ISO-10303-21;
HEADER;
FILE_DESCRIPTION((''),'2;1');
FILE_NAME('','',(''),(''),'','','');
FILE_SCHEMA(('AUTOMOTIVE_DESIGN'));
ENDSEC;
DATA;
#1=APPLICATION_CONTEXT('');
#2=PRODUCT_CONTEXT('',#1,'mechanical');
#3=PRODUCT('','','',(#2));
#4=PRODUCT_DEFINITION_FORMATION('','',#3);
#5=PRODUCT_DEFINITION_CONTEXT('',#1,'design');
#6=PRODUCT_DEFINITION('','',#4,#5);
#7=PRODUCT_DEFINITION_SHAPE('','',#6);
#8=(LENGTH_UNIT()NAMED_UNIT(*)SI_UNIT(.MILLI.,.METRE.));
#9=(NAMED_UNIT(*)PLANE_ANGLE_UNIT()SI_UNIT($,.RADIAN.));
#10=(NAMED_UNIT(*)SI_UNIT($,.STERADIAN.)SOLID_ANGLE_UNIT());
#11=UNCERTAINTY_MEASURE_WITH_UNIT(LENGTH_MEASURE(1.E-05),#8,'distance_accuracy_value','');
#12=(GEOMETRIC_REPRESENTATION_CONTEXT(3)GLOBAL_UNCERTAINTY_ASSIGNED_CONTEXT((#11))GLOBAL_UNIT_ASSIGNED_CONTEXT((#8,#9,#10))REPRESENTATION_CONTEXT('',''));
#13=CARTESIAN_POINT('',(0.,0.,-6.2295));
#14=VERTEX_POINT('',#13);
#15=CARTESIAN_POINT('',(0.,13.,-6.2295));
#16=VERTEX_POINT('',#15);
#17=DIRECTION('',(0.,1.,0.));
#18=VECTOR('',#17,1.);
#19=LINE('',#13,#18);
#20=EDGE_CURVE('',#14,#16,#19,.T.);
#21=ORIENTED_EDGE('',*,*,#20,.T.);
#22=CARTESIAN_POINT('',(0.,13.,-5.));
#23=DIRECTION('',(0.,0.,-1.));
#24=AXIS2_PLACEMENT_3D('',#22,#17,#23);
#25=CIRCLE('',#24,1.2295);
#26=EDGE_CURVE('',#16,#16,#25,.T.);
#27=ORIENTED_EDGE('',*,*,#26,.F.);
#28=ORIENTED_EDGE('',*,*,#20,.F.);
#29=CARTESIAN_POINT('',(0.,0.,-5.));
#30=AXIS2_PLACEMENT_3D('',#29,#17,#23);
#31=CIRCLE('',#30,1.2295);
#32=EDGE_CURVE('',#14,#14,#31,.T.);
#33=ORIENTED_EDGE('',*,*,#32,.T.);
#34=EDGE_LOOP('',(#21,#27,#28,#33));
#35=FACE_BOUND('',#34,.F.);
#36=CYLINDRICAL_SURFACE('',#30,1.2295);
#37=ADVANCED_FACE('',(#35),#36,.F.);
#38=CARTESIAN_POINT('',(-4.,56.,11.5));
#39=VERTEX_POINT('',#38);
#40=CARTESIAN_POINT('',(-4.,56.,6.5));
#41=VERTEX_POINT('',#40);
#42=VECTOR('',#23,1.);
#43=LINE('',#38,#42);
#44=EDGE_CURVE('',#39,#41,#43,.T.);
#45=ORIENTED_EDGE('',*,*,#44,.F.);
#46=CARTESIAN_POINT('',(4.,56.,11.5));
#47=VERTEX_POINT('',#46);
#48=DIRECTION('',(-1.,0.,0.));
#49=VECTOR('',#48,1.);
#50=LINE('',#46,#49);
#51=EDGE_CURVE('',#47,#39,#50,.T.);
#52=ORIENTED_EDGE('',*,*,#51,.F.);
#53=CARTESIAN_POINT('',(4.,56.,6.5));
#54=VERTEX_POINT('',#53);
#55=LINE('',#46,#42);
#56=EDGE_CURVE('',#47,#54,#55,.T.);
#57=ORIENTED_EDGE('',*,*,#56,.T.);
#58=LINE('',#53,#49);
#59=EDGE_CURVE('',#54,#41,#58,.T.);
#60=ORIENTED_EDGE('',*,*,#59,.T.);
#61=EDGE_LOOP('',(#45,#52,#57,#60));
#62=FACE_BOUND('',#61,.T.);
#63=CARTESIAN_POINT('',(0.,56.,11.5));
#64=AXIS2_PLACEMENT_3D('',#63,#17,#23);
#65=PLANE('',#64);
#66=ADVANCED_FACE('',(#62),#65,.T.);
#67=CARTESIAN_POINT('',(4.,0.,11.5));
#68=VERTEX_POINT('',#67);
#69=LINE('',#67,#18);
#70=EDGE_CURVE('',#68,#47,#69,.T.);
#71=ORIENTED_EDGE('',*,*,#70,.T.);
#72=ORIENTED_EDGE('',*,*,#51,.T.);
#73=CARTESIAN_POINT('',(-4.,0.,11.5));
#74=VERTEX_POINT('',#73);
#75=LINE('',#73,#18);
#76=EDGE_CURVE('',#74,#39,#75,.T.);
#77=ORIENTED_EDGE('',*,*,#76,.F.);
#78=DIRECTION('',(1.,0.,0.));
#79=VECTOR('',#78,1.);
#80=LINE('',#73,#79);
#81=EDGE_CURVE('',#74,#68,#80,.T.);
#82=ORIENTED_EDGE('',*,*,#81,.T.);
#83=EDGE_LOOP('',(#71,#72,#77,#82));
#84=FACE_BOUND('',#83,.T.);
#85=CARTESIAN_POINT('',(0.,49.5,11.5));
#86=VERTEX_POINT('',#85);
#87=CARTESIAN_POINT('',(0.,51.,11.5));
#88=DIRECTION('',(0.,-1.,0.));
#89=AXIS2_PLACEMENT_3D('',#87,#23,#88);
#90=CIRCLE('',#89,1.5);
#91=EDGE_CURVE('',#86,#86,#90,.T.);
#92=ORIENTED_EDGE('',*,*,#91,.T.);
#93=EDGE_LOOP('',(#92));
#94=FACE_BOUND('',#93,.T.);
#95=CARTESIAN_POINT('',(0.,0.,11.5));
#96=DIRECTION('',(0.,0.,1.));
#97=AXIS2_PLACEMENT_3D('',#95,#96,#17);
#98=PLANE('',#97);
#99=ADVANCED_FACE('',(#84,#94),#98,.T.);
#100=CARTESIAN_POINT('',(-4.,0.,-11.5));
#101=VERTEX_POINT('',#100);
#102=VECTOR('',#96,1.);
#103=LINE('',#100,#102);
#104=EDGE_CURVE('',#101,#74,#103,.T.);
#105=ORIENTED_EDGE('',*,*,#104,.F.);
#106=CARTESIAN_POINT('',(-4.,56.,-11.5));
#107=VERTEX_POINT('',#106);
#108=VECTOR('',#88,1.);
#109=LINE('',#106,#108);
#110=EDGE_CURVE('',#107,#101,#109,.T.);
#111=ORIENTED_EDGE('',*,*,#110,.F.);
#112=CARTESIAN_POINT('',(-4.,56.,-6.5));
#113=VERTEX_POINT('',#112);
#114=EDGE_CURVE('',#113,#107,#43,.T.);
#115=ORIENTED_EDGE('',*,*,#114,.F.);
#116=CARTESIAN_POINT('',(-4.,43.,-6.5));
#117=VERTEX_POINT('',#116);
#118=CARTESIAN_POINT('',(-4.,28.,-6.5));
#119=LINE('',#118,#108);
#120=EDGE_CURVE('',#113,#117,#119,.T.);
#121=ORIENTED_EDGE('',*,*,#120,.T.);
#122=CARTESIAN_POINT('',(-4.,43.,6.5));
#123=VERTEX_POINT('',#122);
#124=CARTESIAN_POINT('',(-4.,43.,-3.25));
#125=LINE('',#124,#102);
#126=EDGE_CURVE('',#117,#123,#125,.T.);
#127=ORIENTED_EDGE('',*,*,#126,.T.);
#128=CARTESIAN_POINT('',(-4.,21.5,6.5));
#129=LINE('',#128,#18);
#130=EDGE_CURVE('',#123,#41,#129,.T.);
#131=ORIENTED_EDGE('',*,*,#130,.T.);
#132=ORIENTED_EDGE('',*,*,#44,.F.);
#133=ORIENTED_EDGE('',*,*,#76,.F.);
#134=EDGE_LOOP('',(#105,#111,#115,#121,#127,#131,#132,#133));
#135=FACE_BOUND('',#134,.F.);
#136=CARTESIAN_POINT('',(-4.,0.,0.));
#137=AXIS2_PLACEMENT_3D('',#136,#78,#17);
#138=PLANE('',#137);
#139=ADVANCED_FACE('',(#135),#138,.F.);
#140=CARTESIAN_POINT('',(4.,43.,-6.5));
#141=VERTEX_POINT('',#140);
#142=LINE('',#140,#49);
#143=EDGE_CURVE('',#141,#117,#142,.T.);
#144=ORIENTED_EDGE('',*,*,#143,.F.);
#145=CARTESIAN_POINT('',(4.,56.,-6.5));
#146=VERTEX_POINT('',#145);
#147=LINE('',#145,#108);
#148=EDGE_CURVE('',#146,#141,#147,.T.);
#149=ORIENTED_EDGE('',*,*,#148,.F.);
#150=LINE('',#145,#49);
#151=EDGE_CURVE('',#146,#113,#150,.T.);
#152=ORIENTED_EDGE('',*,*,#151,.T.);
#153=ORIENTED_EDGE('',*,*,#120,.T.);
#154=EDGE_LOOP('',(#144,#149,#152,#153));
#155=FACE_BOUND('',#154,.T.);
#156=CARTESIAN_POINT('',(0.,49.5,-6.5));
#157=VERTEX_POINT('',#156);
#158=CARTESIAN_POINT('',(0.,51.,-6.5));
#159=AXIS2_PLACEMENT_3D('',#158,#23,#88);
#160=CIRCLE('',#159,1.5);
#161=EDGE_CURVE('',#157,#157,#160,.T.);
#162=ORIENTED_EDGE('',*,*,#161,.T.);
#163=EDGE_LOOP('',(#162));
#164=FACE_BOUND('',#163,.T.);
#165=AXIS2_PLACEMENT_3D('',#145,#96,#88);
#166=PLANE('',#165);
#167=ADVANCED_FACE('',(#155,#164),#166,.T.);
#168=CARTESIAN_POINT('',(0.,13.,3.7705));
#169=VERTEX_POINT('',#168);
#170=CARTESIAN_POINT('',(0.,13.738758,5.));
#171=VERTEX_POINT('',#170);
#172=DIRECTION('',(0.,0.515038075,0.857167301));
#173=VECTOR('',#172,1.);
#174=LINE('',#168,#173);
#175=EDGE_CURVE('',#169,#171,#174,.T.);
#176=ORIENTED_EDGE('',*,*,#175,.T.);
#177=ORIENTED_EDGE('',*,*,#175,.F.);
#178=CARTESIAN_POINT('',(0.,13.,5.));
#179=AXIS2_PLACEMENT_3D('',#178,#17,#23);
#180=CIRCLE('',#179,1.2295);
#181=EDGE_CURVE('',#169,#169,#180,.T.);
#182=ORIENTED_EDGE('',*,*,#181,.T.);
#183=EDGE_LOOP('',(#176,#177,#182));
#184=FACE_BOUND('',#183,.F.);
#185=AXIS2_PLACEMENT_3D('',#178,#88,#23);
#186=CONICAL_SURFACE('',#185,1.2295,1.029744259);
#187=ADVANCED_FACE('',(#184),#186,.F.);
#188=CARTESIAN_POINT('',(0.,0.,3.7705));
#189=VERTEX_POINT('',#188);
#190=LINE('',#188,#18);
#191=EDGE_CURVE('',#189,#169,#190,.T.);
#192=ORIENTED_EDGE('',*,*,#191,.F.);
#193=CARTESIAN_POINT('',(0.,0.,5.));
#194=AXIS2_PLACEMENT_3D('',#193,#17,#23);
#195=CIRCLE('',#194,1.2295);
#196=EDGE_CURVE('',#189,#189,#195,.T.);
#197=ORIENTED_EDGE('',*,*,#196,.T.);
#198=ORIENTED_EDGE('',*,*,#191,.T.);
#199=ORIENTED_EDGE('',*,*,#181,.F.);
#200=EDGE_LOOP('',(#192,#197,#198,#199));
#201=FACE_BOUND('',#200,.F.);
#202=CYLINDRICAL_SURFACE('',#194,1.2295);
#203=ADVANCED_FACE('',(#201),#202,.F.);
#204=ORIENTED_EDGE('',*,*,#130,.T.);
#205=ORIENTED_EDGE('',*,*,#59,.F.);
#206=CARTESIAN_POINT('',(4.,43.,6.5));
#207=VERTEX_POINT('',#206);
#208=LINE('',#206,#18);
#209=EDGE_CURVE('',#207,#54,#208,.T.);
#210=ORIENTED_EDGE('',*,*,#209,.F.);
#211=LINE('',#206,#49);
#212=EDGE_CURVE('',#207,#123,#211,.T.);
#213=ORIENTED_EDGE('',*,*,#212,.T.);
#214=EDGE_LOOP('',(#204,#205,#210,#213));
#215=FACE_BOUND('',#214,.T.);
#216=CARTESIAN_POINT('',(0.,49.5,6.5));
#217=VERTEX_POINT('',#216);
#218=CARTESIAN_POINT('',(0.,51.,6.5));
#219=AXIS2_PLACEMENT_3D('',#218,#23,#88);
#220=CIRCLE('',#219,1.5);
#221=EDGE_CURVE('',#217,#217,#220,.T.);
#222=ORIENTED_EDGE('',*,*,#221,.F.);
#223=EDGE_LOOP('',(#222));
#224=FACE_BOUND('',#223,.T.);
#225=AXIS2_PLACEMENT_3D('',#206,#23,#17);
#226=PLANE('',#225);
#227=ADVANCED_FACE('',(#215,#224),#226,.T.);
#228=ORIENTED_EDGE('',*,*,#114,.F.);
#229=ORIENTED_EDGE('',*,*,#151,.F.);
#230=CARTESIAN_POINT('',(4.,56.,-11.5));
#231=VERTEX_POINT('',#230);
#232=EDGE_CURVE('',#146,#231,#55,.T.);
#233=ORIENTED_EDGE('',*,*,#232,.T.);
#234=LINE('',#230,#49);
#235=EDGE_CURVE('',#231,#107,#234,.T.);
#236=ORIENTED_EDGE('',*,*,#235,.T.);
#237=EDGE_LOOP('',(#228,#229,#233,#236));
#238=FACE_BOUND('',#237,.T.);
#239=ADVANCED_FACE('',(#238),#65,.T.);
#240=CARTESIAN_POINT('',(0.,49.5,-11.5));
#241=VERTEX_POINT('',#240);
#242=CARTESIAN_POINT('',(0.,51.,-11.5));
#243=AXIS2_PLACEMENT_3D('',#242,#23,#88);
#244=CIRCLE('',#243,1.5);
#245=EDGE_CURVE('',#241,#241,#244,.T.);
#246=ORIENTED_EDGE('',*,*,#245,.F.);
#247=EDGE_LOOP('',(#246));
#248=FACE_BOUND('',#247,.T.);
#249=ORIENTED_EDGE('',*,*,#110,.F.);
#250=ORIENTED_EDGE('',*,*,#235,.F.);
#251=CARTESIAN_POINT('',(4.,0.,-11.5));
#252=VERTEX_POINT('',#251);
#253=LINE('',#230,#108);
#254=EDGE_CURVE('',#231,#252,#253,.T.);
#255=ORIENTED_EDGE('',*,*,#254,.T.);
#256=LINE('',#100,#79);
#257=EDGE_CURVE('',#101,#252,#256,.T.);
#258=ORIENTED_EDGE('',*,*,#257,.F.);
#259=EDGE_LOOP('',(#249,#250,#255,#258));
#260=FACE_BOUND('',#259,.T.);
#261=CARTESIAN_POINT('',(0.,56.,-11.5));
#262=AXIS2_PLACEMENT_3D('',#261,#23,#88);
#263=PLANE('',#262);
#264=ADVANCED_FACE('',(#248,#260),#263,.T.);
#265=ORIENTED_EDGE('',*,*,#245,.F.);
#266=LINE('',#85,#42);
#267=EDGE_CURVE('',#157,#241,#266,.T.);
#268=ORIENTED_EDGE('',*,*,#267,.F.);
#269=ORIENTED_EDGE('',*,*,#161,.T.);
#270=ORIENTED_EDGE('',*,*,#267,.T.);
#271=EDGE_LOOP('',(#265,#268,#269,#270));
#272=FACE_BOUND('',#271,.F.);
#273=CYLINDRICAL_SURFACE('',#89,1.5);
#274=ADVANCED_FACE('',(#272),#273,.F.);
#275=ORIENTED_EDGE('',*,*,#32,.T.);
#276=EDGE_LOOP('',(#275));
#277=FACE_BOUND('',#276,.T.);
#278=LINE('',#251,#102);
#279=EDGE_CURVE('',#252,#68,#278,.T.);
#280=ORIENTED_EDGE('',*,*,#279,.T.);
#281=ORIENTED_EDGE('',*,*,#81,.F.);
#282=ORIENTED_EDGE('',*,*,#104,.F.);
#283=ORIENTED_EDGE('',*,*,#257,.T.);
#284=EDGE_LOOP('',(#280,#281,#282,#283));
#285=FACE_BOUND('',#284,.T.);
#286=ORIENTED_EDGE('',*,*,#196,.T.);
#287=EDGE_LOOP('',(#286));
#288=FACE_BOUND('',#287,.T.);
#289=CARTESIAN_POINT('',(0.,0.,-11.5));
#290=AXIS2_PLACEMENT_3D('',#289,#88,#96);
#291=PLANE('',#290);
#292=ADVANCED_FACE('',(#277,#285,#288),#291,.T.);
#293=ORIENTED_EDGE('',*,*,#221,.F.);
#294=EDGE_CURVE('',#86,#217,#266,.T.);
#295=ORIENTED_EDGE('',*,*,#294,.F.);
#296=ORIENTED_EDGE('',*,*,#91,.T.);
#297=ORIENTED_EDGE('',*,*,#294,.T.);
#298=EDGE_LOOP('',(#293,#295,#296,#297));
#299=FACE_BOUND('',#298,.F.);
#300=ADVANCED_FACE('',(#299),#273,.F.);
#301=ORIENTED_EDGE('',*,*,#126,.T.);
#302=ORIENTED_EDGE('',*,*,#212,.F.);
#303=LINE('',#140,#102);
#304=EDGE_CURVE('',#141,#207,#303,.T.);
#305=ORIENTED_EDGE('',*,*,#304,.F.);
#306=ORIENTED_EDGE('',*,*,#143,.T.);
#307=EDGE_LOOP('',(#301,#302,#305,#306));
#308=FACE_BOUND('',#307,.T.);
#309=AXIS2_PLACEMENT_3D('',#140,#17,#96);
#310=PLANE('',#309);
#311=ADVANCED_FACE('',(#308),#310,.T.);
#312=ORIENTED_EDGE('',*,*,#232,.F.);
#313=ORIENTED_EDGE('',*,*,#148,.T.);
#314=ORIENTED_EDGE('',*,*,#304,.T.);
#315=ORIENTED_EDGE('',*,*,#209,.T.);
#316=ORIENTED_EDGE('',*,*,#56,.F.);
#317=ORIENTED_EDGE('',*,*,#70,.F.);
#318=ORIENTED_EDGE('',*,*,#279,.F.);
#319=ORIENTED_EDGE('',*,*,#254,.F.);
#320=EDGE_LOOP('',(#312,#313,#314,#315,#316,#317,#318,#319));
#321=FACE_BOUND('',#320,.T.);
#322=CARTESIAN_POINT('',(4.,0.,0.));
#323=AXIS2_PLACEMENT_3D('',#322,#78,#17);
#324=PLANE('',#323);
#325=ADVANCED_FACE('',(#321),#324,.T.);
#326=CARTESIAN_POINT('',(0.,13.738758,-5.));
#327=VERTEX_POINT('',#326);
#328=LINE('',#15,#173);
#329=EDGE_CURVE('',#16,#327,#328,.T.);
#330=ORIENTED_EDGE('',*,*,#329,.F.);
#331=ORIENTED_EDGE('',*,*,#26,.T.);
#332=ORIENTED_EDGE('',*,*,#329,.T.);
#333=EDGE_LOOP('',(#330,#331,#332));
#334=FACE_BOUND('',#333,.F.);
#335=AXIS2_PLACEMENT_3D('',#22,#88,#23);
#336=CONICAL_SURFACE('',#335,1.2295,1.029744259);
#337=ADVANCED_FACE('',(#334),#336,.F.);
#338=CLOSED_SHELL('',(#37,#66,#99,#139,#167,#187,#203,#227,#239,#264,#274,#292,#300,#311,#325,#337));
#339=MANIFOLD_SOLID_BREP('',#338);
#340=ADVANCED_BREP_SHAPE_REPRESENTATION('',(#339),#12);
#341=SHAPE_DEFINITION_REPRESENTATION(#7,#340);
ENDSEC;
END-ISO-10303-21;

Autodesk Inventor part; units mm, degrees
ref_plane "YZ Plane" through (0, 0, 0) normal (1, 0, 0) x (0, 1, 0)
ref_plane "XZ Plane" through (0, 0, 0) normal (0, 1, 0) x (-1, 0, 0)
ref_plane "XY Plane" through (0, 0, 0) normal (0, 0, 1) x (1, 0, 0)
sketch "Sketch1" plane through (0, 0, 0) normal (1, 0, 0) x (0, 1, 0)
  line L0 (0, 11.5) -> (56, 11.5)
  line L1 (56, 11.5) -> (56, -11.5)
  line L2 (56, -11.5) -> (0, -11.5)
  line L3 (0, -11.5) -> (0, 11.5)
  point P0 (0, 0)
  dimension "d0" = 0
  dimension "d1" = 23
  dimension "d2" = 56
  dimension "d3" = 11.5
extrude "Extrusion1" add sketch "Sketch1" along normal mid plane 8
sketch "Sketch2" plane through (4, 0, 0) normal (1, 0, 0) x (0, 0, -1)
  line L0 (11.5, 56) -> (-11.5, 56) projected
  line L1 (-6.5, 56) -> (6.5, 56)
  line L2 (6.5, 56) -> (6.5, 43)
  line L3 (6.5, 43) -> (-6.5, 43)
  line L4 (-6.5, 43) -> (-6.5, 56)
  point P0 (0, 0)
  dimension "d6" = 13
  dimension "d7" = 13
  dimension "d8" = 6.5
extrude "Extrusion2" cut sketch "Sketch2" against normal through all
sketch "Sketch4" plane through (-4, 0, 11.5) normal (0, 0, 1) x (1, 0, 0)
  circle A0 centre (4, 51) radius 1.5
  line L0 (0, 56) -> (8, 56) projected
  line L1 (0, 0) -> (8, 0) projected
  point P0 (4, 0)
  point P1 (4, 0)
  dimension "d12" = 3
  dimension "d13" = 5
hole "Hole1" at (0, 51, 11.5) direction (0, 0, -1) diameter 3 end through all
sketch "Sketch5" plane through (-4, 0, -11.5) normal (0, -1, 0) x (1, 0, 0)
  circle A0 centre (4, 16.5) radius 1.5
  circle A1 centre (4, 6.5) radius 1.5
  point P0 (4, 11.5)
  dimension "d21" = 3
  dimension "d23" = 10
  dimension "d24" = 5
hole "Hole2" at (0, 0, 5) at (0, 0, -5) direction (0, 1, 0) diameter 2.459 depth 13 tip angle 118 thread size "M3x0.5" class "6H" standard "ISO Metric profile"
equation "\"d3\" = 0.5 * d1"
equation "\"d8\" = 0.5 * d6"
equation "\"d24\" = 0.5 * d23"
properties part number "Gripper_Outer_Support_2" material "Aluminum 6061"
